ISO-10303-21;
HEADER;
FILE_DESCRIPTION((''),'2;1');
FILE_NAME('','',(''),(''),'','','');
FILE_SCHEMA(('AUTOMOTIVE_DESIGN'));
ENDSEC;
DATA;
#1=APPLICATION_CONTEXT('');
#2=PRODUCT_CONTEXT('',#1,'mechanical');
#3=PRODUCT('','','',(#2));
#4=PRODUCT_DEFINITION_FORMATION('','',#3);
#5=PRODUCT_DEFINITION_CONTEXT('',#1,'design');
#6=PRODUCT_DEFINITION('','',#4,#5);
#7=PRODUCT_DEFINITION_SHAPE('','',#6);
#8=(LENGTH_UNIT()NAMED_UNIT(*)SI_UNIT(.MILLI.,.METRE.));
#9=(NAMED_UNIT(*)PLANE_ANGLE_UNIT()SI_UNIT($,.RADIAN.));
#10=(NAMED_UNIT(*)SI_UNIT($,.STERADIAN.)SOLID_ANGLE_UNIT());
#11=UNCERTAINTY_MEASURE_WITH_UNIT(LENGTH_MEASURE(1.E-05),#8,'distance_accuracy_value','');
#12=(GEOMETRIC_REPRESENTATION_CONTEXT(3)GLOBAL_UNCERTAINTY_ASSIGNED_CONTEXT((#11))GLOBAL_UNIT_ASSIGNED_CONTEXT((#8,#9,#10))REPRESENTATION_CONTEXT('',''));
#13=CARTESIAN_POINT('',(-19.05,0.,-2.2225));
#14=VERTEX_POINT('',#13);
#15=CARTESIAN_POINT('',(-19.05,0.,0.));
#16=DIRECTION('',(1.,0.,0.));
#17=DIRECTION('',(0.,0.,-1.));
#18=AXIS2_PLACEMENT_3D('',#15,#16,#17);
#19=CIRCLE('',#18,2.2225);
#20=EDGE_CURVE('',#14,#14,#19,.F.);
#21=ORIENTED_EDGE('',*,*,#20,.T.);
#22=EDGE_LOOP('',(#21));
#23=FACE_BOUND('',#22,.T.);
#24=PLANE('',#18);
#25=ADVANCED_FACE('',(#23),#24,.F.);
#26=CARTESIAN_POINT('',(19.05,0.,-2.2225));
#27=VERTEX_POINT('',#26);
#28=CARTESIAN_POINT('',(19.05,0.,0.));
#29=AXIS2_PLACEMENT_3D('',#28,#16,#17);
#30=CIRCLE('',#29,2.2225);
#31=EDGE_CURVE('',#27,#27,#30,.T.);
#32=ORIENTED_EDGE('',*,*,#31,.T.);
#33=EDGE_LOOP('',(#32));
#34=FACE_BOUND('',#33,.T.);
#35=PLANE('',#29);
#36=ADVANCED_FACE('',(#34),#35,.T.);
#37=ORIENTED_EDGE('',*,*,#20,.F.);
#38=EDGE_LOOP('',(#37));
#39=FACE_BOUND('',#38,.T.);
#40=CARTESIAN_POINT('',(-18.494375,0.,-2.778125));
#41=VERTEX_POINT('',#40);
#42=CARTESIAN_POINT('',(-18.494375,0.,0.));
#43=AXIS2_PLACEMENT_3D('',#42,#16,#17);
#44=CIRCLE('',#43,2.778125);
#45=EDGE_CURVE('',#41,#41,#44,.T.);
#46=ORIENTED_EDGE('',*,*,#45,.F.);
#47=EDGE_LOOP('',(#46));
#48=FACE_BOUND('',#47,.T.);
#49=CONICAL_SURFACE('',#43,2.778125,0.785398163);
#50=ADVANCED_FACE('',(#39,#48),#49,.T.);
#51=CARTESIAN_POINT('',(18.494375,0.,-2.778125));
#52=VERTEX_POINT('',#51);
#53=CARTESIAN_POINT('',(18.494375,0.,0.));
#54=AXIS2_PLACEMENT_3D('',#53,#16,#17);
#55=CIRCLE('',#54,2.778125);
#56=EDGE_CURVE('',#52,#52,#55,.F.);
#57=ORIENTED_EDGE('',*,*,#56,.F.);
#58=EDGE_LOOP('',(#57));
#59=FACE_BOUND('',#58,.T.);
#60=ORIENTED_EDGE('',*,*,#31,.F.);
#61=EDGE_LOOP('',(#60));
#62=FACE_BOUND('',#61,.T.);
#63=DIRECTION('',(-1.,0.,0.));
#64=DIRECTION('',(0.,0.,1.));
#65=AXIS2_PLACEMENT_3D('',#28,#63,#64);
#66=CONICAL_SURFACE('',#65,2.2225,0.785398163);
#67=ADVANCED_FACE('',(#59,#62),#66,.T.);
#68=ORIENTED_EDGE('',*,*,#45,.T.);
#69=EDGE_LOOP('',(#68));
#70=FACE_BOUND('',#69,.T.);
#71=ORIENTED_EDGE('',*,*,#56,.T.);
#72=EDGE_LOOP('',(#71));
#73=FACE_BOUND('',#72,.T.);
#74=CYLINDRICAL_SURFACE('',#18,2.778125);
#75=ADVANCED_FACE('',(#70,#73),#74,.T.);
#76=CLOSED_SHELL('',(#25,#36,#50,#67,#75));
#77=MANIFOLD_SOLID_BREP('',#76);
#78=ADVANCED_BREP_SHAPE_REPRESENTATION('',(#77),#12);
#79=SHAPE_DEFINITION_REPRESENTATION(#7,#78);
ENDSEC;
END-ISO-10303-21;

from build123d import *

# Parameters (mm, degrees)
SKETCH2_R           = 2.778125
EXTRUDE1_DEPTH      = 19.05
EXTRUDE1_DEPTH_BACK = 19.05
CHAMFER1_SIZE       = 0.555625


with BuildPart() as part:
    # Sketch2 → Extrude1 (new body, two sides)
    with BuildSketch(Plane(origin=(0, 0, 0), x_dir=(0, 0, -1), z_dir=(1, 0, 0))) as extrude1_sk:
        Circle(SKETCH2_R)
    extrude(amount=EXTRUDE1_DEPTH)
    extrude(extrude1_sk.sketch, amount=-EXTRUDE1_DEPTH_BACK)

    # Chamfer1
    chamfer1_edges = [part.edges().sort_by_distance(p)[0] for p in [
        (-19.05, 0, 2.778125),
        (19.05, 0, 2.778125),
    ]]
    chamfer(chamfer1_edges, length=CHAMFER1_SIZE)


solid = part.part
